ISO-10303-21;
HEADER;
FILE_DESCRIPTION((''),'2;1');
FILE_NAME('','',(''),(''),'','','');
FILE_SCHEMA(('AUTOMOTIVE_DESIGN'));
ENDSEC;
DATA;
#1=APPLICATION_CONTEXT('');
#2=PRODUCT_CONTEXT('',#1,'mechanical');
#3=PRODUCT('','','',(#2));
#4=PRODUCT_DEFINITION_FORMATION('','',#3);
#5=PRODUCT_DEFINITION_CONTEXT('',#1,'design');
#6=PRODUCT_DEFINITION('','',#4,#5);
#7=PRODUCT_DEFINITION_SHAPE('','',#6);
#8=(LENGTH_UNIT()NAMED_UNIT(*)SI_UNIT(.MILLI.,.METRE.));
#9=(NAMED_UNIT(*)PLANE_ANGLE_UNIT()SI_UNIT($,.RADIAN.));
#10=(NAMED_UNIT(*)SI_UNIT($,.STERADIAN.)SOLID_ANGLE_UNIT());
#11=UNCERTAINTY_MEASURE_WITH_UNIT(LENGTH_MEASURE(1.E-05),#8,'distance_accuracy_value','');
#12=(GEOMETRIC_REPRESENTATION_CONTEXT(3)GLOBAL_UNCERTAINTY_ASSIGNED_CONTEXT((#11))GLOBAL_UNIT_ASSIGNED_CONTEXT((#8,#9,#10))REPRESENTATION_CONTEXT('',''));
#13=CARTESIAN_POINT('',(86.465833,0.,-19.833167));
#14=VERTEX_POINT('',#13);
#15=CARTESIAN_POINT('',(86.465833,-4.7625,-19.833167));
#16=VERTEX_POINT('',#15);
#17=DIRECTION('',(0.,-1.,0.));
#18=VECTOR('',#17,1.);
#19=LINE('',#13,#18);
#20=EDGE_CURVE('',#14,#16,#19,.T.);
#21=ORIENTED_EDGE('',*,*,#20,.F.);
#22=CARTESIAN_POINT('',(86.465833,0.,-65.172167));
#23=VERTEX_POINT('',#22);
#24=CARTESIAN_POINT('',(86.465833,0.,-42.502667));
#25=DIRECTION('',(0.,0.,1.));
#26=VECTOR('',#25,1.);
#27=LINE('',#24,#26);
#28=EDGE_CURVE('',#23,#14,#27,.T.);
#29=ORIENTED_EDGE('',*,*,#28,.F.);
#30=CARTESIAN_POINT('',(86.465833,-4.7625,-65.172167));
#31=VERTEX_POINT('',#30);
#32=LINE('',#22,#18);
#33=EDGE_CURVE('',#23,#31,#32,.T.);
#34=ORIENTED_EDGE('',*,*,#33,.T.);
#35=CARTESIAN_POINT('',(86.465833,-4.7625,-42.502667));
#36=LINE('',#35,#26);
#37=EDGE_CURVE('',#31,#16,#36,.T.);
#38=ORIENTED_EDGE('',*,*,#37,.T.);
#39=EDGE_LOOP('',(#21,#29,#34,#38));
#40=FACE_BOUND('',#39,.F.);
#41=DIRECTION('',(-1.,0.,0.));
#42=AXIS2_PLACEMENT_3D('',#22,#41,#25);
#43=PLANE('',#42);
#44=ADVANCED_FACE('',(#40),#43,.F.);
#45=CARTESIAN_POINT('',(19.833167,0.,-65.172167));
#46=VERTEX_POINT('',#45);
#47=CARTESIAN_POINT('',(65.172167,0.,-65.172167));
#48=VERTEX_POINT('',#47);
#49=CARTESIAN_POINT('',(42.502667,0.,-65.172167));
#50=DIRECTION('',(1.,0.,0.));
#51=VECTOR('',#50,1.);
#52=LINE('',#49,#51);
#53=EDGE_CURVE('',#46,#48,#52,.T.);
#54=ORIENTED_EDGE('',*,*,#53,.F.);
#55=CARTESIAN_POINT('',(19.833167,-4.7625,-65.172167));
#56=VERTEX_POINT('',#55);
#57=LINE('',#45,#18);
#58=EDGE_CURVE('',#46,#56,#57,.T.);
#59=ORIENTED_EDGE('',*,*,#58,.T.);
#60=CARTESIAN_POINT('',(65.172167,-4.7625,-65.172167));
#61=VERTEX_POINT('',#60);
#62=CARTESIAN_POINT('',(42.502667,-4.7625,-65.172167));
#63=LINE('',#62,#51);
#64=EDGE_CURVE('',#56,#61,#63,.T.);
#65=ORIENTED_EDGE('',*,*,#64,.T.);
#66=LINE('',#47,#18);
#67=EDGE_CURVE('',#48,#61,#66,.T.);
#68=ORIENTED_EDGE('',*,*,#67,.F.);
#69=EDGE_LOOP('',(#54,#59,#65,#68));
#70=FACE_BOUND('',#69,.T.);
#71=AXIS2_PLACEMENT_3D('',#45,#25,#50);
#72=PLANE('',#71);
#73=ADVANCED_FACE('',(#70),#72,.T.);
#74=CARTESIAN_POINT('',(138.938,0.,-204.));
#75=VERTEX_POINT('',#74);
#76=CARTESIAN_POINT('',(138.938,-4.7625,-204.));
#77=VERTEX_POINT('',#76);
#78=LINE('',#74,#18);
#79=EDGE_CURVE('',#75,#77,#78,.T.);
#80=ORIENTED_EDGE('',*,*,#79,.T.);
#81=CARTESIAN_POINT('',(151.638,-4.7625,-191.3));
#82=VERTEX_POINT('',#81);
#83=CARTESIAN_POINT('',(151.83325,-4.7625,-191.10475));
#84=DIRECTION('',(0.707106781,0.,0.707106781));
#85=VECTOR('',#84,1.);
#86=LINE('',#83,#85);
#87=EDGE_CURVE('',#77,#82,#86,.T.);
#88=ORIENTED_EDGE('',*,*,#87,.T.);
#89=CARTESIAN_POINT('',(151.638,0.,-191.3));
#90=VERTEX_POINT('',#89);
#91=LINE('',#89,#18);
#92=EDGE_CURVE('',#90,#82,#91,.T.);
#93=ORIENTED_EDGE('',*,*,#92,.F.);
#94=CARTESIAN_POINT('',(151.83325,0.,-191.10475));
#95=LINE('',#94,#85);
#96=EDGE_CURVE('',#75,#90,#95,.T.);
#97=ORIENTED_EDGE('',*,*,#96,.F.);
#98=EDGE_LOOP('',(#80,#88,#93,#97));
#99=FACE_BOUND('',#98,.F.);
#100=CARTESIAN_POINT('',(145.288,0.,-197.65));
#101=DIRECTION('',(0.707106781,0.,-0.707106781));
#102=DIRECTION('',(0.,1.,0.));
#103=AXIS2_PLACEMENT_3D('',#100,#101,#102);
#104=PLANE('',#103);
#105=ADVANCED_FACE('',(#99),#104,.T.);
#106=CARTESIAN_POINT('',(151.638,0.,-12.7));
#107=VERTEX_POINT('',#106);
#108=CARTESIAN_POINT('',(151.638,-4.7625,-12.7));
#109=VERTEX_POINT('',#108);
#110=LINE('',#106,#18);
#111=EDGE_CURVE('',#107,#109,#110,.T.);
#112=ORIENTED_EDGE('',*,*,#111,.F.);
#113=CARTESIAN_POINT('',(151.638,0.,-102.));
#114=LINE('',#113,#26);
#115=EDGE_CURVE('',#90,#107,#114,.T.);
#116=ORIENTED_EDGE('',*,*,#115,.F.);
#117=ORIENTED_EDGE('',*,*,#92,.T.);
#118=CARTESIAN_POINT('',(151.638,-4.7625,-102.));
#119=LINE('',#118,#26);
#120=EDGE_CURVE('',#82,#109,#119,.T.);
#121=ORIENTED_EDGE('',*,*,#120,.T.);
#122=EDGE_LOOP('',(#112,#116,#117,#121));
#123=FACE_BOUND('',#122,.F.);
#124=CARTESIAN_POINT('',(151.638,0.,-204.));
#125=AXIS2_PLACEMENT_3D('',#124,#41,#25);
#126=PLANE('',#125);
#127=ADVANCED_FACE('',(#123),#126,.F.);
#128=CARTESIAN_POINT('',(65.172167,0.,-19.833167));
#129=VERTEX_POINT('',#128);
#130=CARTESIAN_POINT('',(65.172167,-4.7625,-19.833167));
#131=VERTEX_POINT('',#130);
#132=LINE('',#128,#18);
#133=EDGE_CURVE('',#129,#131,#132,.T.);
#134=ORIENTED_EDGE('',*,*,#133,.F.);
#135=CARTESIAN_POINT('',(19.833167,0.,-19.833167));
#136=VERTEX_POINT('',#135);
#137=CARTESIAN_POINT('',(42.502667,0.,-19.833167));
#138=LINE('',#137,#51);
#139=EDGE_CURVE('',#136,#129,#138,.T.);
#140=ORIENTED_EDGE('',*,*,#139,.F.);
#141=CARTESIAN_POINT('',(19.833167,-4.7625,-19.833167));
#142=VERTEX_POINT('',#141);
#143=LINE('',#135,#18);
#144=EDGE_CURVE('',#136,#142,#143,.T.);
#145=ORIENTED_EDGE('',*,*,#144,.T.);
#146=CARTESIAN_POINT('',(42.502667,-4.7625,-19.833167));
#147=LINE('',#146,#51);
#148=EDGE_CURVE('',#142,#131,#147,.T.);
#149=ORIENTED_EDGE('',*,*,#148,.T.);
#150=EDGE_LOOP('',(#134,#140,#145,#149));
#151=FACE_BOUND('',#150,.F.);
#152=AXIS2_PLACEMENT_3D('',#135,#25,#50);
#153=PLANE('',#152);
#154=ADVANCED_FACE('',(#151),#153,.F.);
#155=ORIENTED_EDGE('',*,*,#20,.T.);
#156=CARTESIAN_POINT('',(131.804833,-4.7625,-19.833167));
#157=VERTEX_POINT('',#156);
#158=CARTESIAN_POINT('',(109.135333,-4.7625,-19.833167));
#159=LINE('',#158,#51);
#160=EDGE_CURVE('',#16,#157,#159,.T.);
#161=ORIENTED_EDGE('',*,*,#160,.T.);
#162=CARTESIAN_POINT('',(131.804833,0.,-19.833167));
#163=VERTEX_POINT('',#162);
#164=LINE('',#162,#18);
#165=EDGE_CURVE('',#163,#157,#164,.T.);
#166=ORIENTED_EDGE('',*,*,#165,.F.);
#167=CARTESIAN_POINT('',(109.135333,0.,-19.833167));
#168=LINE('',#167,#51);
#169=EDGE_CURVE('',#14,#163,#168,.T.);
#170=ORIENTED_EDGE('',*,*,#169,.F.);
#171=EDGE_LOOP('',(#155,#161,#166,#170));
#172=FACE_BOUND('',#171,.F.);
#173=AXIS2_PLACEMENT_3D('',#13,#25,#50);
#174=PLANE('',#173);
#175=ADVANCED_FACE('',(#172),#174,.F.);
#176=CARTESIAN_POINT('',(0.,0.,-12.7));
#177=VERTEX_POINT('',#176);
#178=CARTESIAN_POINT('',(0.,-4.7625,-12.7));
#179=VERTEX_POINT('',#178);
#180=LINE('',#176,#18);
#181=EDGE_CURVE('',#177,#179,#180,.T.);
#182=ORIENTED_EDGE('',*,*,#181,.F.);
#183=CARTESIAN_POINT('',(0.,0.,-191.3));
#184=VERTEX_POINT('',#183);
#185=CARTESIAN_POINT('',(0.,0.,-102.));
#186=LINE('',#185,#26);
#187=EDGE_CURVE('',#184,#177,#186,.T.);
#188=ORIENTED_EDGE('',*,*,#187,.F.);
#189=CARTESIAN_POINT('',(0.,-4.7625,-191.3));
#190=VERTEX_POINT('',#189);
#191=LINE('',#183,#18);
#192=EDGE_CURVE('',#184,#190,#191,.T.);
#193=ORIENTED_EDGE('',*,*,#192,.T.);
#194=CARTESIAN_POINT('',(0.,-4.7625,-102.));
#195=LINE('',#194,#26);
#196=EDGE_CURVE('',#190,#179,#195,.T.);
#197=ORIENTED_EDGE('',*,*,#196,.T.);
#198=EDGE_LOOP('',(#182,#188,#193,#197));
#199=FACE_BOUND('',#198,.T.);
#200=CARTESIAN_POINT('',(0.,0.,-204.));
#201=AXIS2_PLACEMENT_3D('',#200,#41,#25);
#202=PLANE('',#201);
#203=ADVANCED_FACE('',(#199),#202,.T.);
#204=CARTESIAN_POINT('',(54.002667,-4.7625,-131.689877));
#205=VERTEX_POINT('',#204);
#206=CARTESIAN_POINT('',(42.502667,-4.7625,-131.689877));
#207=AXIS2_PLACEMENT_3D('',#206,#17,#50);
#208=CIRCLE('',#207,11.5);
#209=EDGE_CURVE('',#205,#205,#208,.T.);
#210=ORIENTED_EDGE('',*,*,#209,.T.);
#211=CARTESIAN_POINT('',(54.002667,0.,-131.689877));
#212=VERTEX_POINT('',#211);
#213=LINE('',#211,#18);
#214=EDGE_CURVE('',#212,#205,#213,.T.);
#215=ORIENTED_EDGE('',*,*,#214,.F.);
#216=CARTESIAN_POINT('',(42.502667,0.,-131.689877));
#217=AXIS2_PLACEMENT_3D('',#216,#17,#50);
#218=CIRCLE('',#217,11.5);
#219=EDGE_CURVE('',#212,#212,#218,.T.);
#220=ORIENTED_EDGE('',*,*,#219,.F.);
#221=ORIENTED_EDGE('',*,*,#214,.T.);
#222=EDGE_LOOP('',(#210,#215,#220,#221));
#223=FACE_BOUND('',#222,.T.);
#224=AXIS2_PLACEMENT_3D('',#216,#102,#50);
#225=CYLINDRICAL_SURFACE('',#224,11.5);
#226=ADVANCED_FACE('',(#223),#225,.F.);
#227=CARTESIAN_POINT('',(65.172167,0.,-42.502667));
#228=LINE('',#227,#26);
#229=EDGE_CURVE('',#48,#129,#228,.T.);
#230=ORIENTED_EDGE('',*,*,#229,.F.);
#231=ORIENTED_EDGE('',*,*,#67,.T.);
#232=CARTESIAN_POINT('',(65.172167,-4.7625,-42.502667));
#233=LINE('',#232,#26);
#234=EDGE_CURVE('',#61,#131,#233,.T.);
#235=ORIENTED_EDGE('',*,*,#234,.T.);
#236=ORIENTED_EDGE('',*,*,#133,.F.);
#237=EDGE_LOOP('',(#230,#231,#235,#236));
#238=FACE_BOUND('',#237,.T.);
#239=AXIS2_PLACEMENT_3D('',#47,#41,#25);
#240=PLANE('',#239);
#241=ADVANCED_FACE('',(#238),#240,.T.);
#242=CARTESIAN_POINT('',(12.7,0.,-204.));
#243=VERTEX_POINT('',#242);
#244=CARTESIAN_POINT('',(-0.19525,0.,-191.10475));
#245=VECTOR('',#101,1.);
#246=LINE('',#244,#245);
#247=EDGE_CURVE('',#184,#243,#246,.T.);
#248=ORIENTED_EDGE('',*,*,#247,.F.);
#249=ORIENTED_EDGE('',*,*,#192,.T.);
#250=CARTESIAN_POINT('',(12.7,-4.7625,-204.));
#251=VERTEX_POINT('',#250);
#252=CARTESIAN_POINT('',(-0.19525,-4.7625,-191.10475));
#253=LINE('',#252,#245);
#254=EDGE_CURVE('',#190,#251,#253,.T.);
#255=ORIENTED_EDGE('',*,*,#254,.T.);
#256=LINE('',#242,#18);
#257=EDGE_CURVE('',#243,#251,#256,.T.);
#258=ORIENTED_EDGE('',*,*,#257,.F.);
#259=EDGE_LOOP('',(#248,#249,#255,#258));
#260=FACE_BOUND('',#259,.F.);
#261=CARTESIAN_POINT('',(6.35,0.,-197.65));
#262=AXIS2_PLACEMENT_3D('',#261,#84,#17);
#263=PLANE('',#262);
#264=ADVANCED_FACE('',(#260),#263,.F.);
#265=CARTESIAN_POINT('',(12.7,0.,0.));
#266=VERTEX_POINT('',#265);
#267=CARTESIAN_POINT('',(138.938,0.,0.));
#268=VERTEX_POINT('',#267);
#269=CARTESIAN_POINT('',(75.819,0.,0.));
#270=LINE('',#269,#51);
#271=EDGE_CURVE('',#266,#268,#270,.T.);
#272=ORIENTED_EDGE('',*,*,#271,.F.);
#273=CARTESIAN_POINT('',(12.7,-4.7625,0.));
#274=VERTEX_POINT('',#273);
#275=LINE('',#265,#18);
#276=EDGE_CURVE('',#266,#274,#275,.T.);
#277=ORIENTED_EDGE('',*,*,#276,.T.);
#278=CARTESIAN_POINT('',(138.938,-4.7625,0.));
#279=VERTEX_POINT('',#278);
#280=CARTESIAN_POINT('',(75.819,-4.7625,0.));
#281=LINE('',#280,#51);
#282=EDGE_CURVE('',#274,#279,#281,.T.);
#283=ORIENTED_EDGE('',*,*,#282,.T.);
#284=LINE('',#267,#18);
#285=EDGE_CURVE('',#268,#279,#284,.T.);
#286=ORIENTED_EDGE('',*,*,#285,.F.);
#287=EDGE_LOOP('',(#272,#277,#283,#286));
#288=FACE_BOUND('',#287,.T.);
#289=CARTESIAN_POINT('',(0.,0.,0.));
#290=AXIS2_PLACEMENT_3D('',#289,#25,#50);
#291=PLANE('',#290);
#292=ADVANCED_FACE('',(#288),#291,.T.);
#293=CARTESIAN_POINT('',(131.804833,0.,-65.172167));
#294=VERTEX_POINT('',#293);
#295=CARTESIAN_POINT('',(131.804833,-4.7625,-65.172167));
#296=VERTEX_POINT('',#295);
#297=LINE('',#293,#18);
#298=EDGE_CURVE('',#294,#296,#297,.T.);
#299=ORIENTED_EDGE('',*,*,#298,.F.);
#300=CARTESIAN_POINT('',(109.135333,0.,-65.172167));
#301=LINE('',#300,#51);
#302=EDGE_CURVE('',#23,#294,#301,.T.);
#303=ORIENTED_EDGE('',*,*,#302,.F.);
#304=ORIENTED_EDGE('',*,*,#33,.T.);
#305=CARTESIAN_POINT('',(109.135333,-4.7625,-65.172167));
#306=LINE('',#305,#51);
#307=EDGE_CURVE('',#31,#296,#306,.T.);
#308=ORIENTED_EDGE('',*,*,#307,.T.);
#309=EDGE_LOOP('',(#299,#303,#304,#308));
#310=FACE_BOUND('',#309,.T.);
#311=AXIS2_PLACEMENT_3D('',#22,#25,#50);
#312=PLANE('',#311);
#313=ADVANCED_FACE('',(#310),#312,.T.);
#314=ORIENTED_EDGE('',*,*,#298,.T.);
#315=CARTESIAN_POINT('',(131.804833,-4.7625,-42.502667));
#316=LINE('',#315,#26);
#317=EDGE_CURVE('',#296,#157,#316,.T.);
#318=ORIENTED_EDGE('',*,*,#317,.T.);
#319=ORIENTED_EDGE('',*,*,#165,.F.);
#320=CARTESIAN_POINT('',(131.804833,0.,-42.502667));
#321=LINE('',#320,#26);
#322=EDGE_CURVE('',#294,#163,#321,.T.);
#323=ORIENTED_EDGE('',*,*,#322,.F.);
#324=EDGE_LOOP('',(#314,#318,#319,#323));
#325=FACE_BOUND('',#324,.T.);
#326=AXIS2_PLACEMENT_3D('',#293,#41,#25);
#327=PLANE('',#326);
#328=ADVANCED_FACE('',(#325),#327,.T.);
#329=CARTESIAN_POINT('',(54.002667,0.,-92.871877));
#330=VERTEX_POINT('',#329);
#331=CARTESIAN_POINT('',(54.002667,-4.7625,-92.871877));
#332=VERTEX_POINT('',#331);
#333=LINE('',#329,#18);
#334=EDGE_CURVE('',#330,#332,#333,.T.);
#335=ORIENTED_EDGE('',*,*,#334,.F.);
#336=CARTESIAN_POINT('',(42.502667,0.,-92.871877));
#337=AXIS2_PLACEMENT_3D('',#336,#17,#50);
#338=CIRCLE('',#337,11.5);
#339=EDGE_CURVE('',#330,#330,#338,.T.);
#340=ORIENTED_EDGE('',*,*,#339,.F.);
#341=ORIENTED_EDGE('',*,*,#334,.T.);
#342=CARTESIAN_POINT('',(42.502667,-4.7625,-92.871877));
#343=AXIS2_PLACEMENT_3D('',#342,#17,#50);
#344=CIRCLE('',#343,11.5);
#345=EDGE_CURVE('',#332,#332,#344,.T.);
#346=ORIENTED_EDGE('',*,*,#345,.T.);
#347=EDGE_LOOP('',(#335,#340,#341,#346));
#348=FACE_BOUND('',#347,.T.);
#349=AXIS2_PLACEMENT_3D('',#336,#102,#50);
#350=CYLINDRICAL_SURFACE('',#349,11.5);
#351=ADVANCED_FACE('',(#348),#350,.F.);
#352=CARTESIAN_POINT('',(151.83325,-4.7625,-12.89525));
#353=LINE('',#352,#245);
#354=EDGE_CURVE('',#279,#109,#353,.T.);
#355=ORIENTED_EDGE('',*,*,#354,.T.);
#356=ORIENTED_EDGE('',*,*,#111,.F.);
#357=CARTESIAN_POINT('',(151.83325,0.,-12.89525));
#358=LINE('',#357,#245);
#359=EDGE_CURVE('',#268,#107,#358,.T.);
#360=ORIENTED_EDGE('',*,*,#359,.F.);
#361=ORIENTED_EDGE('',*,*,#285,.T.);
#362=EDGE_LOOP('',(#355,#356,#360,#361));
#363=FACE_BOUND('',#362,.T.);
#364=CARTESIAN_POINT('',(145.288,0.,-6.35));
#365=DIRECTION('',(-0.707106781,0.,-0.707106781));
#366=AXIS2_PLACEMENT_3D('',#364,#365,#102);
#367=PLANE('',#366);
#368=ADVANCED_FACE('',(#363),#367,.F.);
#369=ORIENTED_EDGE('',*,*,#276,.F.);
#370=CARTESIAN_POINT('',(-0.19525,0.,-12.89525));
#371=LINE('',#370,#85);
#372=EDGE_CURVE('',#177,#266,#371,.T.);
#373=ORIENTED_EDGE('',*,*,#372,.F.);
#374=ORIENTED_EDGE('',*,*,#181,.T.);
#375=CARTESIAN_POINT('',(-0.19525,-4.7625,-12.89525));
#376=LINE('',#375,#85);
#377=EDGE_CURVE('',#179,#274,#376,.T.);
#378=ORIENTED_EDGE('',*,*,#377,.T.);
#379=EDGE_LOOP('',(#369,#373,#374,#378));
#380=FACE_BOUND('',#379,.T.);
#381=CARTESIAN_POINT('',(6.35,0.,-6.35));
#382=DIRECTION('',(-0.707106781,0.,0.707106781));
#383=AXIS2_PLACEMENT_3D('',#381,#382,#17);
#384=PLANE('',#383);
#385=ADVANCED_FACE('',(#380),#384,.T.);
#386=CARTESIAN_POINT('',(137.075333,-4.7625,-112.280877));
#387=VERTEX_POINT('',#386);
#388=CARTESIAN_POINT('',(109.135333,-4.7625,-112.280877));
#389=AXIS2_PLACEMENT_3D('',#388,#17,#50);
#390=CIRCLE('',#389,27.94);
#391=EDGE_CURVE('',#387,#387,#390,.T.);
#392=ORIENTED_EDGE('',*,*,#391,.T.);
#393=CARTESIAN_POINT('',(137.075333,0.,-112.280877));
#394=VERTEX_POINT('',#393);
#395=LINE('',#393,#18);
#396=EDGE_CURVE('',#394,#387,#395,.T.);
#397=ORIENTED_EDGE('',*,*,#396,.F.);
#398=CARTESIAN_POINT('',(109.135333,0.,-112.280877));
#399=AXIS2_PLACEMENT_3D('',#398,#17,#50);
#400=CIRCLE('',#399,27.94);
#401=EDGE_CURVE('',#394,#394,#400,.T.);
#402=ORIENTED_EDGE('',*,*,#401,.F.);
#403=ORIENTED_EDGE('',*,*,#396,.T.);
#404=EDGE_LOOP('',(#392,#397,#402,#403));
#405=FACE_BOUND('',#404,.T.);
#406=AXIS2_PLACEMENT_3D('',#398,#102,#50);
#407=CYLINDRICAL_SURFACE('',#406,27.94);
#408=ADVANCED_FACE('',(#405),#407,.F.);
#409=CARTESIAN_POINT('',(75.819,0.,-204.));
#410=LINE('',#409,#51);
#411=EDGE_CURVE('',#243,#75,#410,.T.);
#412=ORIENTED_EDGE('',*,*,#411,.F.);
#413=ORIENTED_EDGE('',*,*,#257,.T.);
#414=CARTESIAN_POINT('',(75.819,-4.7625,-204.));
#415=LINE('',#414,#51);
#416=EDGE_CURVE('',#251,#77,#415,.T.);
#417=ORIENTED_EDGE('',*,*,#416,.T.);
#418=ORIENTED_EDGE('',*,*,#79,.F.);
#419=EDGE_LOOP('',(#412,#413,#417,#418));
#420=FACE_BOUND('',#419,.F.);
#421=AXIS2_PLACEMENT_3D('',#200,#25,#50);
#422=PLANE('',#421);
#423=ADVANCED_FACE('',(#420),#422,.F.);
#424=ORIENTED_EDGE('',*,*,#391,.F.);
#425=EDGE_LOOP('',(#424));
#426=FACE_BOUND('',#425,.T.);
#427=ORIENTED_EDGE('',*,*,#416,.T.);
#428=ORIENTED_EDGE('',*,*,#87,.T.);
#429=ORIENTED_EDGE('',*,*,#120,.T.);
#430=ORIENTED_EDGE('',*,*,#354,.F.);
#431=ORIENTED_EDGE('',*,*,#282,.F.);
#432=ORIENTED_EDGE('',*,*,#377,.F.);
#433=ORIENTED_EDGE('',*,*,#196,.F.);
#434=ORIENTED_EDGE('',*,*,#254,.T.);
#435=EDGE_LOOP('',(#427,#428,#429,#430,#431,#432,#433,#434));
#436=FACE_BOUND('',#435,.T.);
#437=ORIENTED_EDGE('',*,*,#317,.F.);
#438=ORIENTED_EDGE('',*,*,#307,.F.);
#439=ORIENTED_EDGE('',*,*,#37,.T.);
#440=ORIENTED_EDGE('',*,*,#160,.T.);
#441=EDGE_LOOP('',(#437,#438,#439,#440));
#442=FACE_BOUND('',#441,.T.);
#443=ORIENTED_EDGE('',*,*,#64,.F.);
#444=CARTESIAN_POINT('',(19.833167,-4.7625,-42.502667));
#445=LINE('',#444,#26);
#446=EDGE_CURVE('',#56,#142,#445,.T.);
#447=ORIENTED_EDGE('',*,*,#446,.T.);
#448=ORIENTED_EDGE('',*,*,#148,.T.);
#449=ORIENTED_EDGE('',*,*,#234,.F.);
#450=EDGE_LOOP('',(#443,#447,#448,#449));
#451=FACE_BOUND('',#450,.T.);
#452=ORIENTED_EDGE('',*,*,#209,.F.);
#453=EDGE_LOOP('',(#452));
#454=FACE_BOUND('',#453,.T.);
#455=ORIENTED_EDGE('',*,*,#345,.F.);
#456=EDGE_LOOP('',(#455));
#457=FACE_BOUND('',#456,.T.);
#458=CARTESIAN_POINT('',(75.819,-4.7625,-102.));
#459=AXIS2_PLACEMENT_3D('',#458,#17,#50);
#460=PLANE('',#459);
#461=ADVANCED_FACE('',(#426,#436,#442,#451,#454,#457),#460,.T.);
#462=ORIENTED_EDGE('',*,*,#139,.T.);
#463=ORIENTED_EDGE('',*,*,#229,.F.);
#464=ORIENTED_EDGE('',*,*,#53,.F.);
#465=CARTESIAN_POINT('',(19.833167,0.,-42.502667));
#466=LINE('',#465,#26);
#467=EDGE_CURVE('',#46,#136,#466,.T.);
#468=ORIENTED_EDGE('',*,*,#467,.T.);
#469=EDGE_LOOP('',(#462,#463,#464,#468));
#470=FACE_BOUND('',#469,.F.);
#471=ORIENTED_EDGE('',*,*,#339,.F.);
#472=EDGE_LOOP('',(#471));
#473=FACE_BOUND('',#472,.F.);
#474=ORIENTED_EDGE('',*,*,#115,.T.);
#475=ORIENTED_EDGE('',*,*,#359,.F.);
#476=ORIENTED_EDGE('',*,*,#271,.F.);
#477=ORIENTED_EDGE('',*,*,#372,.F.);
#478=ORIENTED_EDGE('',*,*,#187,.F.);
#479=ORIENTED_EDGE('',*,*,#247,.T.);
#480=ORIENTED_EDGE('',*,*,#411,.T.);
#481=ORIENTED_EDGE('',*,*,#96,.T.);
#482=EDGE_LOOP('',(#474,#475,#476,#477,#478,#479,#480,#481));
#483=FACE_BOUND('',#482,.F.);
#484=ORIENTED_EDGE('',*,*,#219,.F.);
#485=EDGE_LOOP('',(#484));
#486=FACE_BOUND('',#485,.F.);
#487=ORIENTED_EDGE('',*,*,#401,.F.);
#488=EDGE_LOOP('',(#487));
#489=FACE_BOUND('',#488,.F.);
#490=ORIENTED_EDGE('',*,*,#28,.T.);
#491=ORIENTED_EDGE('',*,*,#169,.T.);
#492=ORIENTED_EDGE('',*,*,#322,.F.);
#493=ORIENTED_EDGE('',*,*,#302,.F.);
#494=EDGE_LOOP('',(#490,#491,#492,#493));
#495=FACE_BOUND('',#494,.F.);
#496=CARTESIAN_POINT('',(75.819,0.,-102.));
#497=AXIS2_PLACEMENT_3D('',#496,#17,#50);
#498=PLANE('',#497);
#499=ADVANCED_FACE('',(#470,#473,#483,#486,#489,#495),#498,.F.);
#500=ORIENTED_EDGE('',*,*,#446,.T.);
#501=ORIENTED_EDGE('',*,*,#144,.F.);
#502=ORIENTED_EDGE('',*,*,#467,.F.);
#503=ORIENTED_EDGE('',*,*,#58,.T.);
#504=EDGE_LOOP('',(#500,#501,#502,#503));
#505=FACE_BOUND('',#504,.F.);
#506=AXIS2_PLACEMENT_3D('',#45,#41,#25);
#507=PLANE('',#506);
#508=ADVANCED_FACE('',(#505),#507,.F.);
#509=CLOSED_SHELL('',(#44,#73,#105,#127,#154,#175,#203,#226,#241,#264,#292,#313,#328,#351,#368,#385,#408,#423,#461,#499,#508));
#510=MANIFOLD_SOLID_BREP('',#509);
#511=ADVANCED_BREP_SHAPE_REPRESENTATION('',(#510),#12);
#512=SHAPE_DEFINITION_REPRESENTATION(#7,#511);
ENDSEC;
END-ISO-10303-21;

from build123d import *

# Parameters (mm, degrees)
F0_W     = 151.638
F0_H     = 204
F0_R     = 11.5
F0_R_2   = 27.94
F0_W_2   = 45.339
F0_H_2   = 45.339
F1_DEPTH = 4.7625
F2_SIZE  = 12.7


with BuildPart() as f1:
    # F0 (on Front) → F1 (new body)
    with BuildSketch(Plane.XZ):
        with Locations((75.819, -102)):
            Rectangle(F0_W, F0_H)
        with Locations((42.502667, -131.689877)):
            Circle(F0_R, mode=Mode.SUBTRACT)
        with Locations((109.135333, -112.280877)):
            Circle(F0_R_2, mode=Mode.SUBTRACT)
        with Locations((42.502667, -92.871877)):
            Circle(F0_R, mode=Mode.SUBTRACT)
        with Locations((42.502667, -42.502667)):
            Rectangle(F0_W_2, F0_H_2, mode=Mode.SUBTRACT)
        with Locations((109.135333, -42.502667)):
            Rectangle(F0_W_2, F0_H_2, mode=Mode.SUBTRACT)
    extrude(amount=F1_DEPTH)

    # F2
    f2_edges = [f1.edges().sort_by_distance(p)[0] for p in [
        (151.638, -2.38125, 0),
        (0, -2.38125, 0),
        (0, -2.38125, -204),
        (151.638, -2.38125, -204),
    ]]
    chamfer(f2_edges, length=F2_SIZE)


solid = f1.part
